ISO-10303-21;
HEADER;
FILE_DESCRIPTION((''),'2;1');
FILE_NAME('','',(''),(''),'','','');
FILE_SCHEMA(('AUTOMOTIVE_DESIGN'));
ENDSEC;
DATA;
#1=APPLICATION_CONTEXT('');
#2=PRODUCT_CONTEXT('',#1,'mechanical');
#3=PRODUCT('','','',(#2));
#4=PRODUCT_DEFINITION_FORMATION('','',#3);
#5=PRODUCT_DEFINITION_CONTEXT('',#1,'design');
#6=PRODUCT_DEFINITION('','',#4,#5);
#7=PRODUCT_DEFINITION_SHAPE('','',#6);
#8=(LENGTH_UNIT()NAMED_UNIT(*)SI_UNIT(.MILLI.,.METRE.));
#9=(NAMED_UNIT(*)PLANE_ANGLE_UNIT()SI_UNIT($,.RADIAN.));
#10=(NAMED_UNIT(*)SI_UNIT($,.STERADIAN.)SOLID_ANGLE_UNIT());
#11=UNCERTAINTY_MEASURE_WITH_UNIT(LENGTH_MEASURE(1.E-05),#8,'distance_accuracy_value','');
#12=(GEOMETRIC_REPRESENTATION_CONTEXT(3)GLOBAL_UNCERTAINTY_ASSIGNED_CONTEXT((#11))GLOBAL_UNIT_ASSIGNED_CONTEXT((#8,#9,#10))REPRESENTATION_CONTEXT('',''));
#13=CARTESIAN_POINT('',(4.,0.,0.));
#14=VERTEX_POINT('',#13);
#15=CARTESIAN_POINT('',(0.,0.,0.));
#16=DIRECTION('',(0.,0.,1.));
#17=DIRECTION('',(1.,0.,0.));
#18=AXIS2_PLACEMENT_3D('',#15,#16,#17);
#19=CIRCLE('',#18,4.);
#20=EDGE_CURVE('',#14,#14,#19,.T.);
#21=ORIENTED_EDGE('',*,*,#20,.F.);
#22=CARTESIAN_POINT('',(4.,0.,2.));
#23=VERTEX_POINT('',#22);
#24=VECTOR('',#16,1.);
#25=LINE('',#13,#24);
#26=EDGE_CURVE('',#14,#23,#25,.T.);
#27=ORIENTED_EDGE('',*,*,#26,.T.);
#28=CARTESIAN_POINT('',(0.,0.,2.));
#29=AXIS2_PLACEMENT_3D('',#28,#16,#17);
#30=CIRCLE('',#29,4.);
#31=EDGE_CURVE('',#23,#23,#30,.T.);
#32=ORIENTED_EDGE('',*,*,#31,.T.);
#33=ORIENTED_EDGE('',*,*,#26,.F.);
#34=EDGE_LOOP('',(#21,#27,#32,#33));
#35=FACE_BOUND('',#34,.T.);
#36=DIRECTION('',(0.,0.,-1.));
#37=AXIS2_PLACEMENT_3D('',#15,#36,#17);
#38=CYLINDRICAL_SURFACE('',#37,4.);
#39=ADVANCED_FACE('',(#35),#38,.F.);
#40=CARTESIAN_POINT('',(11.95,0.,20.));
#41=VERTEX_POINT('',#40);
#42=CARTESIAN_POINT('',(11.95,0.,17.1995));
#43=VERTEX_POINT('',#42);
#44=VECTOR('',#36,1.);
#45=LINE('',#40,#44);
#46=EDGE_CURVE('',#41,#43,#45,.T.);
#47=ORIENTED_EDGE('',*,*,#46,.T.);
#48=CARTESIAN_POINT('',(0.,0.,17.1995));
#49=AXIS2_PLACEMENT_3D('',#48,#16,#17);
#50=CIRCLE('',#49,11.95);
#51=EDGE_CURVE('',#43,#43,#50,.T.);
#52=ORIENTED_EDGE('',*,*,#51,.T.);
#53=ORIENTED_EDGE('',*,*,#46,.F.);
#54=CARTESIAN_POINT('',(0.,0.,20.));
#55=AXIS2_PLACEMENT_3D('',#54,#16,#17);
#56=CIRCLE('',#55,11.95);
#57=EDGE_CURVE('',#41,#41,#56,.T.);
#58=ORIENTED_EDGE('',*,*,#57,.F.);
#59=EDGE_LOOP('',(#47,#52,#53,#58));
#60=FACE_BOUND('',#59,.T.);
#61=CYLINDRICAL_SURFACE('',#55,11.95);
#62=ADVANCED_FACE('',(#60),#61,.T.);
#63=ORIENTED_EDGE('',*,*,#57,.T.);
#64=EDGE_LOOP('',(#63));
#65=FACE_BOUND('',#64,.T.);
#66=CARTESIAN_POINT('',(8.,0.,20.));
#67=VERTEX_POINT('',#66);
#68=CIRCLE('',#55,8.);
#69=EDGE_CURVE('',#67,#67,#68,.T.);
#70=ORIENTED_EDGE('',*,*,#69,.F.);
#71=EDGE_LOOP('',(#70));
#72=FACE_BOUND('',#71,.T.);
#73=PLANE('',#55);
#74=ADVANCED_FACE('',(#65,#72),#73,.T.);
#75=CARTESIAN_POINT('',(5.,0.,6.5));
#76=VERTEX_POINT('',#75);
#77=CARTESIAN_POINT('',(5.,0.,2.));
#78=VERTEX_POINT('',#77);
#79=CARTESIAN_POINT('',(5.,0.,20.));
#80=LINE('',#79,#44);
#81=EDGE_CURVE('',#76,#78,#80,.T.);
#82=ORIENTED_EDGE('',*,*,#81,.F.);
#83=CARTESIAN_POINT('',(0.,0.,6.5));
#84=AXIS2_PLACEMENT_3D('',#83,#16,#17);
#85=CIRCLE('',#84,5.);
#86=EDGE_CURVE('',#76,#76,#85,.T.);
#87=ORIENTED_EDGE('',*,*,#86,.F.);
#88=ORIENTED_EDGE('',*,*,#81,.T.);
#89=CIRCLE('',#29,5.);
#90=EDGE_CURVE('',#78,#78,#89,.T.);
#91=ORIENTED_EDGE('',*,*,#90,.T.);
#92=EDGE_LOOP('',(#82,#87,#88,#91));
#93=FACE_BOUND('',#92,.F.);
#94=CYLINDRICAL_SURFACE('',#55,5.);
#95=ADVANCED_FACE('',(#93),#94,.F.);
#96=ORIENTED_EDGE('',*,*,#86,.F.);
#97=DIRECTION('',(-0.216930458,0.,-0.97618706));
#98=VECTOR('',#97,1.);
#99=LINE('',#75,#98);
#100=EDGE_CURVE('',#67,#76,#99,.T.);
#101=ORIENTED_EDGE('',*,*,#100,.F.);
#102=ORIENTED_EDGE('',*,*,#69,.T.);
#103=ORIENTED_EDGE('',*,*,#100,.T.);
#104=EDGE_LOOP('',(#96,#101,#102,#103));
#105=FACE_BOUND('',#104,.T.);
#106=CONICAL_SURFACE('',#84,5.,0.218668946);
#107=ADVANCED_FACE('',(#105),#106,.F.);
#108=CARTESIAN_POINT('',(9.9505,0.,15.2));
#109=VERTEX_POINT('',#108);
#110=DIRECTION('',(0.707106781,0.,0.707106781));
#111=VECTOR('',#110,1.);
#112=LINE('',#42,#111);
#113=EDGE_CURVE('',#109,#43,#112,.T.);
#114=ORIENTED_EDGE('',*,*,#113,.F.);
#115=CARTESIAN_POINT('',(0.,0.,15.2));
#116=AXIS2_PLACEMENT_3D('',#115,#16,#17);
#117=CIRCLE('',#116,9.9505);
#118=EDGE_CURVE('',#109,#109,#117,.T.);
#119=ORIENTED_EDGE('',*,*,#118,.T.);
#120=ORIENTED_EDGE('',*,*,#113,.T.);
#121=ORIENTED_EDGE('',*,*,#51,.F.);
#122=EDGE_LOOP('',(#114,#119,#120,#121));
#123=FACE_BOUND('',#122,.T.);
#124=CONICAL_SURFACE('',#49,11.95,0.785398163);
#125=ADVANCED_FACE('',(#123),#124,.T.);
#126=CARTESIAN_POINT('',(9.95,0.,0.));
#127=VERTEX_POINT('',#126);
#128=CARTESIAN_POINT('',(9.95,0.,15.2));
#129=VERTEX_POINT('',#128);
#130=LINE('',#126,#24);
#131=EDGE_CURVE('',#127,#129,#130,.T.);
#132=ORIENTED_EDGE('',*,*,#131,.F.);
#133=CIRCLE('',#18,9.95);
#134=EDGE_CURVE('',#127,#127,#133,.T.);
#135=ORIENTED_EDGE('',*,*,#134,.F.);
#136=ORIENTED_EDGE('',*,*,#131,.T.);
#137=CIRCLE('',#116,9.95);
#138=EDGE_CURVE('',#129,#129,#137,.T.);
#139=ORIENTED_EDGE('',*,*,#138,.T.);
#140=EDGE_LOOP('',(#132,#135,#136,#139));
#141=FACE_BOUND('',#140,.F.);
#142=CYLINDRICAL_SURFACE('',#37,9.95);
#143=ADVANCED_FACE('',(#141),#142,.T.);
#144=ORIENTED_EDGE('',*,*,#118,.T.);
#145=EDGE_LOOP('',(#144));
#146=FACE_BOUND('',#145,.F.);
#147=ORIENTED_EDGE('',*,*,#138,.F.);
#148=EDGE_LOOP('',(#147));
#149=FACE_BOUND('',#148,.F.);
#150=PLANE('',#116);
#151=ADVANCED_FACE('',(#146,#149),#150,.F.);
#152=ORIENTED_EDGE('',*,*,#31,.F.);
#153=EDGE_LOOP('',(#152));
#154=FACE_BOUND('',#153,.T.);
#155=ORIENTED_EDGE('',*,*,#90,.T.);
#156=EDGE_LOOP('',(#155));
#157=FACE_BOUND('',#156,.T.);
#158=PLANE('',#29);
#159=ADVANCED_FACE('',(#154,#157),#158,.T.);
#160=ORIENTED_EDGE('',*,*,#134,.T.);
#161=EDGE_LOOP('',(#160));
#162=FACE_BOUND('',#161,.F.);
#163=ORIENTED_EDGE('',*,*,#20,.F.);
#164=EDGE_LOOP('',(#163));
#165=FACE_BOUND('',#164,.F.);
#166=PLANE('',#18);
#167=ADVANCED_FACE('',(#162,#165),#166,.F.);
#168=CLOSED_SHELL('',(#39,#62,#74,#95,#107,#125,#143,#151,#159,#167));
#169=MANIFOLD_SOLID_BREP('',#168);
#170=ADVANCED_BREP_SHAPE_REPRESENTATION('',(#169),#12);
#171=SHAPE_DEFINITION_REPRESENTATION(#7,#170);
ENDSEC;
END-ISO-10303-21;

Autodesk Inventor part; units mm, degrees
ref_plane "YZ Plane" through (0, 0, 0) normal (1, 0, 0) x (0, 1, 0)
ref_plane "XZ Plane" through (0, 0, 0) normal (0, 1, 0) x (-1, 0, 0)
ref_plane "XY Plane" through (0, 0, 0) normal (0, 0, 1) x (1, 0, 0)
sketch "Sketch1" plane through (0, 0, 0) normal (0, 0, 1) x (1, 0, 0)
  circle A0 centre (0, 0) radius 9.95
  circle A1 centre (0, 0) radius 4
  dimension "d0" = 19.9
  dimension "d1" = 8
extrude "Extrusion1" add sketch "Sketch1" along normal blind 20
sketch "Sketch2" plane through (0, 0, 20) normal (0, 0, 1) x (1, 0, 0)
  circle A0 centre (0, 0) radius 9.95 projected
  circle A1 centre (0, 0) radius 11.95
  dimension "d4" = 23.9
extrude "Extrusion2" add sketch "Sketch2" against normal blind 4.8
chamfer "Chamfer1" distance 2 angle 45 1 edges at (-11.95, 0, 15.2)
sketch "Sketch3" plane through (0, 0, 20) normal (0, 0, 1) x (1, 0, 0)
  circle A0 centre (0, 0) radius 4 projected
  circle A1 centre (0, 0) radius 5
  dimension "d10" = 10
extrude "Extrusion3" cut sketch "Sketch3" against normal blind 18
chamfer "Chamfer2" distance 3 distance2 13.5 1 edges at (-5, 0, 20) measured on face at (9.5176, -0.9533, 20)
properties part number "V5 Z Bottom Center Spacer"
